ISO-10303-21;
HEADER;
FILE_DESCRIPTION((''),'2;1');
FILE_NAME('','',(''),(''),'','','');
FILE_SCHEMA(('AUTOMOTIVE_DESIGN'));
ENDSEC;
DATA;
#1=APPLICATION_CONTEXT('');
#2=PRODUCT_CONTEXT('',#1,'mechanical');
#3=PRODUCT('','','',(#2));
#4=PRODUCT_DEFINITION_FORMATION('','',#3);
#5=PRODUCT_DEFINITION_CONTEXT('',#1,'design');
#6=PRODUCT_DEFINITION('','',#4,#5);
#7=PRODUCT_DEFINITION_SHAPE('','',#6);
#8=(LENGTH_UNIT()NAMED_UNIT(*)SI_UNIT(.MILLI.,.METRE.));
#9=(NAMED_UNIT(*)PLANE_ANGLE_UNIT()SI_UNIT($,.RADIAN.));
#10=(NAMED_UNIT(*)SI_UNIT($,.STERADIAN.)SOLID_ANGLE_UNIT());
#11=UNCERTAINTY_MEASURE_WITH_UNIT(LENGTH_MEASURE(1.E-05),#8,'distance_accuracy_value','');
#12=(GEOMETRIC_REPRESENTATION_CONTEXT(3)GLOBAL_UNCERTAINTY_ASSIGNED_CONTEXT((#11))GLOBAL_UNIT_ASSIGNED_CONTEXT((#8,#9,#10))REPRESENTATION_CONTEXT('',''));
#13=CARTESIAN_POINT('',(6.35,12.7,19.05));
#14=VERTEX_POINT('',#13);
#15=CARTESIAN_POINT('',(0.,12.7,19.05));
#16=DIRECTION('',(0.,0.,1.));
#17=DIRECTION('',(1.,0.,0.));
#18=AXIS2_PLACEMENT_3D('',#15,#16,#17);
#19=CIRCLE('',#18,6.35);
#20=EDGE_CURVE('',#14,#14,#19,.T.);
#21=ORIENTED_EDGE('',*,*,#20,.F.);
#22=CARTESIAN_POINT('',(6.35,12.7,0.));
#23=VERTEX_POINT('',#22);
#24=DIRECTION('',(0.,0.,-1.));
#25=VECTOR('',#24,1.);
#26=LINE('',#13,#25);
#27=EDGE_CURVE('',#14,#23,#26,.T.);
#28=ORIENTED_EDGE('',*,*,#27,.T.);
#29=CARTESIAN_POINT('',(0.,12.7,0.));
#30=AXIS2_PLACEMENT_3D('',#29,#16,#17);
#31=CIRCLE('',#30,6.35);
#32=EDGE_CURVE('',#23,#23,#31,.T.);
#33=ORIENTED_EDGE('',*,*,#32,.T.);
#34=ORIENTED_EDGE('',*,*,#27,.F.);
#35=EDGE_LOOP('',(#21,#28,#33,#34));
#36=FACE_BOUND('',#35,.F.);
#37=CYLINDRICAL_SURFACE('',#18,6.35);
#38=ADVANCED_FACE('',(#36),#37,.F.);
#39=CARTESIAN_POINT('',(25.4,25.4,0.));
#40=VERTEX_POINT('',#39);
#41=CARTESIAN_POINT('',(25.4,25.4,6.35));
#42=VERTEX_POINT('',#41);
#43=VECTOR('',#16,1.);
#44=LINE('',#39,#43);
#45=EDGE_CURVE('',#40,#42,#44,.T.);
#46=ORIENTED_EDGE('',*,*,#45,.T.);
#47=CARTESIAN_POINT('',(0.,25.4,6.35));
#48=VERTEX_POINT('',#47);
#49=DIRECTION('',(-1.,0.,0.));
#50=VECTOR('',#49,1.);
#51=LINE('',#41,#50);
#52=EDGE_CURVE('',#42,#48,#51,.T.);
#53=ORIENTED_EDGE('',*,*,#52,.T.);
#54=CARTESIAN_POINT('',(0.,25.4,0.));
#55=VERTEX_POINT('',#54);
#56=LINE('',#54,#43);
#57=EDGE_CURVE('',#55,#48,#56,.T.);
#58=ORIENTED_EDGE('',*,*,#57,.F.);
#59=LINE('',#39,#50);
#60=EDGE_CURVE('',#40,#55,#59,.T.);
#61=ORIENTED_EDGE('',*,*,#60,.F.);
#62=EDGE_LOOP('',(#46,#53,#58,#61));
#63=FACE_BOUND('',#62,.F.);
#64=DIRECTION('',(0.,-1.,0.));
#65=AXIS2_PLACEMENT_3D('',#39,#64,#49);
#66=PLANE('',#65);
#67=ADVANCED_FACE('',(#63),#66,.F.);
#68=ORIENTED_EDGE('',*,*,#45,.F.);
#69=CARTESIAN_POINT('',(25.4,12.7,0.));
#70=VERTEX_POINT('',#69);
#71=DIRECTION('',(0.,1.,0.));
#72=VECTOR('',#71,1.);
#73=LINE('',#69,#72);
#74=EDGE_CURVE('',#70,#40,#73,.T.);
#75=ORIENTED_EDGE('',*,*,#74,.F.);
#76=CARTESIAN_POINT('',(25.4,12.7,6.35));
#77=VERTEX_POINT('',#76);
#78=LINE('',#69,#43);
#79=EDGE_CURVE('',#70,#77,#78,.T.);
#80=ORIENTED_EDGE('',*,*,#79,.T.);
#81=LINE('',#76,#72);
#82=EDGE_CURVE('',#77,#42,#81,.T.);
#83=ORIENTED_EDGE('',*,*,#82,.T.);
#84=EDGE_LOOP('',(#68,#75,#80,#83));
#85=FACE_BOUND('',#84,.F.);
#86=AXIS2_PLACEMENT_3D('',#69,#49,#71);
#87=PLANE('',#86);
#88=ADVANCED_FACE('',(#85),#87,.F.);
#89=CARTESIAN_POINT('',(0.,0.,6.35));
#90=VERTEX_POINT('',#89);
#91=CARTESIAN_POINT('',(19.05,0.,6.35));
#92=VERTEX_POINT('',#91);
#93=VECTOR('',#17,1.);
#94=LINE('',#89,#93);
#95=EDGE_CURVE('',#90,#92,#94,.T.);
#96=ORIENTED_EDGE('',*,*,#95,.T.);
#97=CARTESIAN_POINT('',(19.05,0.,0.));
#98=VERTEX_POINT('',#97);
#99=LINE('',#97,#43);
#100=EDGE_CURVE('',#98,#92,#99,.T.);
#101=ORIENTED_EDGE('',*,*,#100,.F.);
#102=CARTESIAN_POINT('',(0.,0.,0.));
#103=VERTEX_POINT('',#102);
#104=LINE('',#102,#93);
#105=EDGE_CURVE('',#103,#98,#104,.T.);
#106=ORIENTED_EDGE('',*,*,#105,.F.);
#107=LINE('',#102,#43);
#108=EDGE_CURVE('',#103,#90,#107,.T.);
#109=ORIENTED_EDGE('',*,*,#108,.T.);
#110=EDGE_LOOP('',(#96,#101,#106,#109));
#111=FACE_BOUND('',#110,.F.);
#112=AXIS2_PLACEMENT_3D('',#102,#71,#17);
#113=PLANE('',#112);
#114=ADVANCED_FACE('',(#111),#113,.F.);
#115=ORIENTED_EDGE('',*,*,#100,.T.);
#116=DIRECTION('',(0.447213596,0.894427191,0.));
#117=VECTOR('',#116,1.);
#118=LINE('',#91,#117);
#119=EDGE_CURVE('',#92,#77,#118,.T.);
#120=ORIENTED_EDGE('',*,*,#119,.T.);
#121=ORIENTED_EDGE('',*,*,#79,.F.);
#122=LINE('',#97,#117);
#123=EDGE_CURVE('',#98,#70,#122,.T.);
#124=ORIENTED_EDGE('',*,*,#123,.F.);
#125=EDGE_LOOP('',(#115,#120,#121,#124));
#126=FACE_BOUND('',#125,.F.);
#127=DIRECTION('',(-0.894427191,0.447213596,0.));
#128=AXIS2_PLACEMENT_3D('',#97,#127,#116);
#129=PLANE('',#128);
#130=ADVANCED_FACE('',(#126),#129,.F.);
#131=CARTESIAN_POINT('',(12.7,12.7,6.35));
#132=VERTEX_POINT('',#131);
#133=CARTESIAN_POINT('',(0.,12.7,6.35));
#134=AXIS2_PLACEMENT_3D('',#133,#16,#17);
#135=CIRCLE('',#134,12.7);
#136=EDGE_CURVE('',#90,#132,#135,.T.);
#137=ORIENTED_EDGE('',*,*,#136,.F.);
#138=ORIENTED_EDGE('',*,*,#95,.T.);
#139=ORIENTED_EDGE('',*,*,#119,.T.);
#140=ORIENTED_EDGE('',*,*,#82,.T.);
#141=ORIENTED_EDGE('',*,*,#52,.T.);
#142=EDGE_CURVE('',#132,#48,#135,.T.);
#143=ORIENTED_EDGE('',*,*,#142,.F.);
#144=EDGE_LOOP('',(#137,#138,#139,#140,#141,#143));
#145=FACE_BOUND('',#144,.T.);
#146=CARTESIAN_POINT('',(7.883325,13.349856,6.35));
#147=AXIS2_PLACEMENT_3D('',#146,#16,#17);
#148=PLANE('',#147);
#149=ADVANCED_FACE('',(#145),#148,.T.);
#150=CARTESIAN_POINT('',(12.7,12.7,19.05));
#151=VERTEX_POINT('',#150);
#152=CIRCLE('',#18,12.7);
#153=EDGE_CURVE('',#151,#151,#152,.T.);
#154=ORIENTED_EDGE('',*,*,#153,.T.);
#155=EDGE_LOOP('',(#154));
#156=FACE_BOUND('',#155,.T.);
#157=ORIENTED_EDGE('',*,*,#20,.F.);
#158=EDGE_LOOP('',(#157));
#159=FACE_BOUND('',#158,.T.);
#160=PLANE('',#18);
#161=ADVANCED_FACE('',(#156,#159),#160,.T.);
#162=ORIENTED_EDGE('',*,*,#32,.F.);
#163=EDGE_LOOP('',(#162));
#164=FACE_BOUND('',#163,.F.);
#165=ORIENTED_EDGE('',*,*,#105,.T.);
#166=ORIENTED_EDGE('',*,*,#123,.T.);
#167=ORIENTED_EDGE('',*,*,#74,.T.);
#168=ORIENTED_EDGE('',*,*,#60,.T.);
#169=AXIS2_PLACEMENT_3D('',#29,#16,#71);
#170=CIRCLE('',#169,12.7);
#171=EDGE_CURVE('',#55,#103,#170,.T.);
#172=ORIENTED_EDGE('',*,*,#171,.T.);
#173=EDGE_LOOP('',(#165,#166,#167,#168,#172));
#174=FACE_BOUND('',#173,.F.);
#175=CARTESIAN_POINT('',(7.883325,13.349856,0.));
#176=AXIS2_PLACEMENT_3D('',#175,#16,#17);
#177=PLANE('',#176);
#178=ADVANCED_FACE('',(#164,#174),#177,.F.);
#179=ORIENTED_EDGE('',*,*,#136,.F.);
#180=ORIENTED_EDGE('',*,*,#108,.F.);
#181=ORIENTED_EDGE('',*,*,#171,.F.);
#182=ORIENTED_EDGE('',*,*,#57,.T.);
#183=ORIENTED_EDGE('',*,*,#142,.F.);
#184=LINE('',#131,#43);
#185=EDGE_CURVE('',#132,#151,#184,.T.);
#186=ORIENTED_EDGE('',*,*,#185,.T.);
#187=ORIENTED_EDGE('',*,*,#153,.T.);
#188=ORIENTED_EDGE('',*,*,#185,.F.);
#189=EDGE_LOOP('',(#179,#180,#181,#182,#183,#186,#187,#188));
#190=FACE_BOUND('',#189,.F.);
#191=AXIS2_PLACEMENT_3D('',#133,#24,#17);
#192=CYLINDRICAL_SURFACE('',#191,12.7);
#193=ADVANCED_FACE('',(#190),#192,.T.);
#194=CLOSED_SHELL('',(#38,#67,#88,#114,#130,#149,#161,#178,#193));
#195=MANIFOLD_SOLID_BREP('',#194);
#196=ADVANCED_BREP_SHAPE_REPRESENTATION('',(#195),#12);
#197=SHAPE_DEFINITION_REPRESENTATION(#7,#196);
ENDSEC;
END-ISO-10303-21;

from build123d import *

# Parameters (mm, degrees)
F1_DEPTH = 6.35
F2_R     = 12.7
F3_DEPTH = 12.7
F4_R     = 6.35
F5_DEPTH = 19.05


with BuildPart() as f1:
    # F0 (on Top) → F1 (new body)
    with BuildSketch(Plane.XY):
        with BuildLine():
            ThreePointArc((0, 25.4), (-12.7, 12.7), (0, 0))
            Line((0, 0), (19.05, 0))
            Line((19.05, 0), (25.4, 12.7))
            Line((25.4, 12.7), (25.4, 25.4))
            Line((25.4, 25.4), (0, 25.4))
        make_face()
    extrude(amount=F1_DEPTH)

    # F2 (on face) → F3 (join)
    with BuildSketch(Plane.XY.offset(6.35)):
        with Locations((0, 12.7)):
            Circle(F2_R)
    extrude(amount=F3_DEPTH)

    # F4 (on face) → F5 (cut)
    with BuildSketch(Plane.XY.offset(19.05)):
        with Locations((0, 12.7)):
            Circle(F4_R)
    extrude(amount=-F5_DEPTH, mode=Mode.SUBTRACT)


solid = f1.part
